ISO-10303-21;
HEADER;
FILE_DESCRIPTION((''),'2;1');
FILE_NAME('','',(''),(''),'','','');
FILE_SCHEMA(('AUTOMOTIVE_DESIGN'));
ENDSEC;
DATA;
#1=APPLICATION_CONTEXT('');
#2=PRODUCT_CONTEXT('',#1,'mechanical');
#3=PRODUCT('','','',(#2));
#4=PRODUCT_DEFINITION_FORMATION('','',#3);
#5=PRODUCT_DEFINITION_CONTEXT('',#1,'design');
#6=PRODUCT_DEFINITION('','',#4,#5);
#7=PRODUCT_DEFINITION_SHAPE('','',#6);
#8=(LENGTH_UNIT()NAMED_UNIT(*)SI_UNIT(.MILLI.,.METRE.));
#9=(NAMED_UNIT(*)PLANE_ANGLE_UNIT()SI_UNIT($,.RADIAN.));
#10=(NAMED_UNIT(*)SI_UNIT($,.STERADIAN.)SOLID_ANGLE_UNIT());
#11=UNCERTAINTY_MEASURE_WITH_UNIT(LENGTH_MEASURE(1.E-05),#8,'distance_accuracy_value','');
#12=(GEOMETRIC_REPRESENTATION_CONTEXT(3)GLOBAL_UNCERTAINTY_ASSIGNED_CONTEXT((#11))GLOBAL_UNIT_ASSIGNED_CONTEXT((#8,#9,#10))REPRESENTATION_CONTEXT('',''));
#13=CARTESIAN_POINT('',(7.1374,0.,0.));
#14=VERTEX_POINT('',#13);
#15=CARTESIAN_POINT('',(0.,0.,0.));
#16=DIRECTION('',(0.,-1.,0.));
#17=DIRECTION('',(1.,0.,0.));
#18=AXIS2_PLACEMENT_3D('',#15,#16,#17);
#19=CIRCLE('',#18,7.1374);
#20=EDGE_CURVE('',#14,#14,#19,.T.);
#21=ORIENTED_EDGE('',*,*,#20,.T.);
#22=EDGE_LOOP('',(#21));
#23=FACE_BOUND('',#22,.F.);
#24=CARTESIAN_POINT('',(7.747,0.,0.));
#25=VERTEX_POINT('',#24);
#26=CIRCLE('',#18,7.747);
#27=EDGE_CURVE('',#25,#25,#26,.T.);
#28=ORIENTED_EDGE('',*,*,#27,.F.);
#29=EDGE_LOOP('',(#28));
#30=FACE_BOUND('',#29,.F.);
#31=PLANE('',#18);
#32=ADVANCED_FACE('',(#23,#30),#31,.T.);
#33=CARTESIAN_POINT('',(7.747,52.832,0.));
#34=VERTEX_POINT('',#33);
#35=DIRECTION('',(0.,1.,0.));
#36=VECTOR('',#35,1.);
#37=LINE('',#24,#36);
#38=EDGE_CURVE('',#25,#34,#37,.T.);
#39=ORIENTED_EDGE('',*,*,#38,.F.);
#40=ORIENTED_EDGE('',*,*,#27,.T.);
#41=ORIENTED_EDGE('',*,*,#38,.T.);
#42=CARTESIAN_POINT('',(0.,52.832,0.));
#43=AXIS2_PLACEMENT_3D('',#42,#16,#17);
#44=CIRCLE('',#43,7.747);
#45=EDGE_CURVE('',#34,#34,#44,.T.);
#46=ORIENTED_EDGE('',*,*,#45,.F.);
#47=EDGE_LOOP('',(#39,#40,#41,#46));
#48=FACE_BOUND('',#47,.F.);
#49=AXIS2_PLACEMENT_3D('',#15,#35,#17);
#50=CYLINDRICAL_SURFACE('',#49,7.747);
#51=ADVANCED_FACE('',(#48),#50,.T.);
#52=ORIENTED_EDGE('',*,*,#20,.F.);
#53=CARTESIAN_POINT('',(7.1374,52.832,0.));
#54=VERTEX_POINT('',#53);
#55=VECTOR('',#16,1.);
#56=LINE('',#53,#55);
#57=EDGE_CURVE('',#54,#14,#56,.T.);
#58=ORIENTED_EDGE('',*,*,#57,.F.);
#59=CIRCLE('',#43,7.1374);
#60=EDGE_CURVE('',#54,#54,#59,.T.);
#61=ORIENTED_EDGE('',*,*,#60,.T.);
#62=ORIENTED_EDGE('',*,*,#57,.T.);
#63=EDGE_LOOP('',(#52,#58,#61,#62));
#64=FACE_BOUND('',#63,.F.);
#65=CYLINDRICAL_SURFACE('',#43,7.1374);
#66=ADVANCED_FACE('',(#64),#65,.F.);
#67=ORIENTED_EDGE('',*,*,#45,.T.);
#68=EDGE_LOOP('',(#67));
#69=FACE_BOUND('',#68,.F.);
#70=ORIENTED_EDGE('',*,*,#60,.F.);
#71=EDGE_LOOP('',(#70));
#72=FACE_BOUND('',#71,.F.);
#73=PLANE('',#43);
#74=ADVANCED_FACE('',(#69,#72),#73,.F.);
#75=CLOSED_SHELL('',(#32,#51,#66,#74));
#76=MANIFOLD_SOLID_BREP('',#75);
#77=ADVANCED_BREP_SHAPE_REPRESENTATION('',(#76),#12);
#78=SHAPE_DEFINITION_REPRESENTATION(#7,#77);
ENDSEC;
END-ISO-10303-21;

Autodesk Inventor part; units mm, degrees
sketch "Sketch_4" plane through (0, 0, 0) normal (0, 0, 1) x (1, 0, 0)
  line L0 (0, 0) -> (0, 52.832)
  line L1 (7.1374, 0) -> (7.747, 0)
  line L2 (7.747, 0) -> (7.747, 52.832)
  line L3 (7.747, 52.832) -> (7.1374, 52.832)
  line L4 (7.1374, 52.832) -> (7.1374, 0)
revolve "Revolution1" add sketch "Sketch_4" angle 360 about axis through (0, 0, 0) along (0, -1, 0)
ref_plane "tube_rear_XY" through (0, 52.832, 0) normal (0, 1, 0) x (1, 0, 0)
ref_plane "tube_rear_YZ" through (0, 52.832, 0) normal (1, 0, 0) x (0, 0, -1)
ref_plane "tube_rear_ZX" through (0, 52.832, 0) normal (0, 0, -1) x (0, 1, 0)
ref_plane "tube_rod_guide_XY" through (0, 0, 0) normal (0, 1, 0) x (1, 0, 0)
ref_plane "tube_rod_guide_YZ" through (0, 0, 0) normal (1, 0, 0) x (0, 0, -1)
ref_plane "tube_rod_guide_ZX" through (0, 0, 0) normal (0, 0, -1) x (0, 1, 0)
properties part number "022.08-FO1_BM_tube" material "Steel"
